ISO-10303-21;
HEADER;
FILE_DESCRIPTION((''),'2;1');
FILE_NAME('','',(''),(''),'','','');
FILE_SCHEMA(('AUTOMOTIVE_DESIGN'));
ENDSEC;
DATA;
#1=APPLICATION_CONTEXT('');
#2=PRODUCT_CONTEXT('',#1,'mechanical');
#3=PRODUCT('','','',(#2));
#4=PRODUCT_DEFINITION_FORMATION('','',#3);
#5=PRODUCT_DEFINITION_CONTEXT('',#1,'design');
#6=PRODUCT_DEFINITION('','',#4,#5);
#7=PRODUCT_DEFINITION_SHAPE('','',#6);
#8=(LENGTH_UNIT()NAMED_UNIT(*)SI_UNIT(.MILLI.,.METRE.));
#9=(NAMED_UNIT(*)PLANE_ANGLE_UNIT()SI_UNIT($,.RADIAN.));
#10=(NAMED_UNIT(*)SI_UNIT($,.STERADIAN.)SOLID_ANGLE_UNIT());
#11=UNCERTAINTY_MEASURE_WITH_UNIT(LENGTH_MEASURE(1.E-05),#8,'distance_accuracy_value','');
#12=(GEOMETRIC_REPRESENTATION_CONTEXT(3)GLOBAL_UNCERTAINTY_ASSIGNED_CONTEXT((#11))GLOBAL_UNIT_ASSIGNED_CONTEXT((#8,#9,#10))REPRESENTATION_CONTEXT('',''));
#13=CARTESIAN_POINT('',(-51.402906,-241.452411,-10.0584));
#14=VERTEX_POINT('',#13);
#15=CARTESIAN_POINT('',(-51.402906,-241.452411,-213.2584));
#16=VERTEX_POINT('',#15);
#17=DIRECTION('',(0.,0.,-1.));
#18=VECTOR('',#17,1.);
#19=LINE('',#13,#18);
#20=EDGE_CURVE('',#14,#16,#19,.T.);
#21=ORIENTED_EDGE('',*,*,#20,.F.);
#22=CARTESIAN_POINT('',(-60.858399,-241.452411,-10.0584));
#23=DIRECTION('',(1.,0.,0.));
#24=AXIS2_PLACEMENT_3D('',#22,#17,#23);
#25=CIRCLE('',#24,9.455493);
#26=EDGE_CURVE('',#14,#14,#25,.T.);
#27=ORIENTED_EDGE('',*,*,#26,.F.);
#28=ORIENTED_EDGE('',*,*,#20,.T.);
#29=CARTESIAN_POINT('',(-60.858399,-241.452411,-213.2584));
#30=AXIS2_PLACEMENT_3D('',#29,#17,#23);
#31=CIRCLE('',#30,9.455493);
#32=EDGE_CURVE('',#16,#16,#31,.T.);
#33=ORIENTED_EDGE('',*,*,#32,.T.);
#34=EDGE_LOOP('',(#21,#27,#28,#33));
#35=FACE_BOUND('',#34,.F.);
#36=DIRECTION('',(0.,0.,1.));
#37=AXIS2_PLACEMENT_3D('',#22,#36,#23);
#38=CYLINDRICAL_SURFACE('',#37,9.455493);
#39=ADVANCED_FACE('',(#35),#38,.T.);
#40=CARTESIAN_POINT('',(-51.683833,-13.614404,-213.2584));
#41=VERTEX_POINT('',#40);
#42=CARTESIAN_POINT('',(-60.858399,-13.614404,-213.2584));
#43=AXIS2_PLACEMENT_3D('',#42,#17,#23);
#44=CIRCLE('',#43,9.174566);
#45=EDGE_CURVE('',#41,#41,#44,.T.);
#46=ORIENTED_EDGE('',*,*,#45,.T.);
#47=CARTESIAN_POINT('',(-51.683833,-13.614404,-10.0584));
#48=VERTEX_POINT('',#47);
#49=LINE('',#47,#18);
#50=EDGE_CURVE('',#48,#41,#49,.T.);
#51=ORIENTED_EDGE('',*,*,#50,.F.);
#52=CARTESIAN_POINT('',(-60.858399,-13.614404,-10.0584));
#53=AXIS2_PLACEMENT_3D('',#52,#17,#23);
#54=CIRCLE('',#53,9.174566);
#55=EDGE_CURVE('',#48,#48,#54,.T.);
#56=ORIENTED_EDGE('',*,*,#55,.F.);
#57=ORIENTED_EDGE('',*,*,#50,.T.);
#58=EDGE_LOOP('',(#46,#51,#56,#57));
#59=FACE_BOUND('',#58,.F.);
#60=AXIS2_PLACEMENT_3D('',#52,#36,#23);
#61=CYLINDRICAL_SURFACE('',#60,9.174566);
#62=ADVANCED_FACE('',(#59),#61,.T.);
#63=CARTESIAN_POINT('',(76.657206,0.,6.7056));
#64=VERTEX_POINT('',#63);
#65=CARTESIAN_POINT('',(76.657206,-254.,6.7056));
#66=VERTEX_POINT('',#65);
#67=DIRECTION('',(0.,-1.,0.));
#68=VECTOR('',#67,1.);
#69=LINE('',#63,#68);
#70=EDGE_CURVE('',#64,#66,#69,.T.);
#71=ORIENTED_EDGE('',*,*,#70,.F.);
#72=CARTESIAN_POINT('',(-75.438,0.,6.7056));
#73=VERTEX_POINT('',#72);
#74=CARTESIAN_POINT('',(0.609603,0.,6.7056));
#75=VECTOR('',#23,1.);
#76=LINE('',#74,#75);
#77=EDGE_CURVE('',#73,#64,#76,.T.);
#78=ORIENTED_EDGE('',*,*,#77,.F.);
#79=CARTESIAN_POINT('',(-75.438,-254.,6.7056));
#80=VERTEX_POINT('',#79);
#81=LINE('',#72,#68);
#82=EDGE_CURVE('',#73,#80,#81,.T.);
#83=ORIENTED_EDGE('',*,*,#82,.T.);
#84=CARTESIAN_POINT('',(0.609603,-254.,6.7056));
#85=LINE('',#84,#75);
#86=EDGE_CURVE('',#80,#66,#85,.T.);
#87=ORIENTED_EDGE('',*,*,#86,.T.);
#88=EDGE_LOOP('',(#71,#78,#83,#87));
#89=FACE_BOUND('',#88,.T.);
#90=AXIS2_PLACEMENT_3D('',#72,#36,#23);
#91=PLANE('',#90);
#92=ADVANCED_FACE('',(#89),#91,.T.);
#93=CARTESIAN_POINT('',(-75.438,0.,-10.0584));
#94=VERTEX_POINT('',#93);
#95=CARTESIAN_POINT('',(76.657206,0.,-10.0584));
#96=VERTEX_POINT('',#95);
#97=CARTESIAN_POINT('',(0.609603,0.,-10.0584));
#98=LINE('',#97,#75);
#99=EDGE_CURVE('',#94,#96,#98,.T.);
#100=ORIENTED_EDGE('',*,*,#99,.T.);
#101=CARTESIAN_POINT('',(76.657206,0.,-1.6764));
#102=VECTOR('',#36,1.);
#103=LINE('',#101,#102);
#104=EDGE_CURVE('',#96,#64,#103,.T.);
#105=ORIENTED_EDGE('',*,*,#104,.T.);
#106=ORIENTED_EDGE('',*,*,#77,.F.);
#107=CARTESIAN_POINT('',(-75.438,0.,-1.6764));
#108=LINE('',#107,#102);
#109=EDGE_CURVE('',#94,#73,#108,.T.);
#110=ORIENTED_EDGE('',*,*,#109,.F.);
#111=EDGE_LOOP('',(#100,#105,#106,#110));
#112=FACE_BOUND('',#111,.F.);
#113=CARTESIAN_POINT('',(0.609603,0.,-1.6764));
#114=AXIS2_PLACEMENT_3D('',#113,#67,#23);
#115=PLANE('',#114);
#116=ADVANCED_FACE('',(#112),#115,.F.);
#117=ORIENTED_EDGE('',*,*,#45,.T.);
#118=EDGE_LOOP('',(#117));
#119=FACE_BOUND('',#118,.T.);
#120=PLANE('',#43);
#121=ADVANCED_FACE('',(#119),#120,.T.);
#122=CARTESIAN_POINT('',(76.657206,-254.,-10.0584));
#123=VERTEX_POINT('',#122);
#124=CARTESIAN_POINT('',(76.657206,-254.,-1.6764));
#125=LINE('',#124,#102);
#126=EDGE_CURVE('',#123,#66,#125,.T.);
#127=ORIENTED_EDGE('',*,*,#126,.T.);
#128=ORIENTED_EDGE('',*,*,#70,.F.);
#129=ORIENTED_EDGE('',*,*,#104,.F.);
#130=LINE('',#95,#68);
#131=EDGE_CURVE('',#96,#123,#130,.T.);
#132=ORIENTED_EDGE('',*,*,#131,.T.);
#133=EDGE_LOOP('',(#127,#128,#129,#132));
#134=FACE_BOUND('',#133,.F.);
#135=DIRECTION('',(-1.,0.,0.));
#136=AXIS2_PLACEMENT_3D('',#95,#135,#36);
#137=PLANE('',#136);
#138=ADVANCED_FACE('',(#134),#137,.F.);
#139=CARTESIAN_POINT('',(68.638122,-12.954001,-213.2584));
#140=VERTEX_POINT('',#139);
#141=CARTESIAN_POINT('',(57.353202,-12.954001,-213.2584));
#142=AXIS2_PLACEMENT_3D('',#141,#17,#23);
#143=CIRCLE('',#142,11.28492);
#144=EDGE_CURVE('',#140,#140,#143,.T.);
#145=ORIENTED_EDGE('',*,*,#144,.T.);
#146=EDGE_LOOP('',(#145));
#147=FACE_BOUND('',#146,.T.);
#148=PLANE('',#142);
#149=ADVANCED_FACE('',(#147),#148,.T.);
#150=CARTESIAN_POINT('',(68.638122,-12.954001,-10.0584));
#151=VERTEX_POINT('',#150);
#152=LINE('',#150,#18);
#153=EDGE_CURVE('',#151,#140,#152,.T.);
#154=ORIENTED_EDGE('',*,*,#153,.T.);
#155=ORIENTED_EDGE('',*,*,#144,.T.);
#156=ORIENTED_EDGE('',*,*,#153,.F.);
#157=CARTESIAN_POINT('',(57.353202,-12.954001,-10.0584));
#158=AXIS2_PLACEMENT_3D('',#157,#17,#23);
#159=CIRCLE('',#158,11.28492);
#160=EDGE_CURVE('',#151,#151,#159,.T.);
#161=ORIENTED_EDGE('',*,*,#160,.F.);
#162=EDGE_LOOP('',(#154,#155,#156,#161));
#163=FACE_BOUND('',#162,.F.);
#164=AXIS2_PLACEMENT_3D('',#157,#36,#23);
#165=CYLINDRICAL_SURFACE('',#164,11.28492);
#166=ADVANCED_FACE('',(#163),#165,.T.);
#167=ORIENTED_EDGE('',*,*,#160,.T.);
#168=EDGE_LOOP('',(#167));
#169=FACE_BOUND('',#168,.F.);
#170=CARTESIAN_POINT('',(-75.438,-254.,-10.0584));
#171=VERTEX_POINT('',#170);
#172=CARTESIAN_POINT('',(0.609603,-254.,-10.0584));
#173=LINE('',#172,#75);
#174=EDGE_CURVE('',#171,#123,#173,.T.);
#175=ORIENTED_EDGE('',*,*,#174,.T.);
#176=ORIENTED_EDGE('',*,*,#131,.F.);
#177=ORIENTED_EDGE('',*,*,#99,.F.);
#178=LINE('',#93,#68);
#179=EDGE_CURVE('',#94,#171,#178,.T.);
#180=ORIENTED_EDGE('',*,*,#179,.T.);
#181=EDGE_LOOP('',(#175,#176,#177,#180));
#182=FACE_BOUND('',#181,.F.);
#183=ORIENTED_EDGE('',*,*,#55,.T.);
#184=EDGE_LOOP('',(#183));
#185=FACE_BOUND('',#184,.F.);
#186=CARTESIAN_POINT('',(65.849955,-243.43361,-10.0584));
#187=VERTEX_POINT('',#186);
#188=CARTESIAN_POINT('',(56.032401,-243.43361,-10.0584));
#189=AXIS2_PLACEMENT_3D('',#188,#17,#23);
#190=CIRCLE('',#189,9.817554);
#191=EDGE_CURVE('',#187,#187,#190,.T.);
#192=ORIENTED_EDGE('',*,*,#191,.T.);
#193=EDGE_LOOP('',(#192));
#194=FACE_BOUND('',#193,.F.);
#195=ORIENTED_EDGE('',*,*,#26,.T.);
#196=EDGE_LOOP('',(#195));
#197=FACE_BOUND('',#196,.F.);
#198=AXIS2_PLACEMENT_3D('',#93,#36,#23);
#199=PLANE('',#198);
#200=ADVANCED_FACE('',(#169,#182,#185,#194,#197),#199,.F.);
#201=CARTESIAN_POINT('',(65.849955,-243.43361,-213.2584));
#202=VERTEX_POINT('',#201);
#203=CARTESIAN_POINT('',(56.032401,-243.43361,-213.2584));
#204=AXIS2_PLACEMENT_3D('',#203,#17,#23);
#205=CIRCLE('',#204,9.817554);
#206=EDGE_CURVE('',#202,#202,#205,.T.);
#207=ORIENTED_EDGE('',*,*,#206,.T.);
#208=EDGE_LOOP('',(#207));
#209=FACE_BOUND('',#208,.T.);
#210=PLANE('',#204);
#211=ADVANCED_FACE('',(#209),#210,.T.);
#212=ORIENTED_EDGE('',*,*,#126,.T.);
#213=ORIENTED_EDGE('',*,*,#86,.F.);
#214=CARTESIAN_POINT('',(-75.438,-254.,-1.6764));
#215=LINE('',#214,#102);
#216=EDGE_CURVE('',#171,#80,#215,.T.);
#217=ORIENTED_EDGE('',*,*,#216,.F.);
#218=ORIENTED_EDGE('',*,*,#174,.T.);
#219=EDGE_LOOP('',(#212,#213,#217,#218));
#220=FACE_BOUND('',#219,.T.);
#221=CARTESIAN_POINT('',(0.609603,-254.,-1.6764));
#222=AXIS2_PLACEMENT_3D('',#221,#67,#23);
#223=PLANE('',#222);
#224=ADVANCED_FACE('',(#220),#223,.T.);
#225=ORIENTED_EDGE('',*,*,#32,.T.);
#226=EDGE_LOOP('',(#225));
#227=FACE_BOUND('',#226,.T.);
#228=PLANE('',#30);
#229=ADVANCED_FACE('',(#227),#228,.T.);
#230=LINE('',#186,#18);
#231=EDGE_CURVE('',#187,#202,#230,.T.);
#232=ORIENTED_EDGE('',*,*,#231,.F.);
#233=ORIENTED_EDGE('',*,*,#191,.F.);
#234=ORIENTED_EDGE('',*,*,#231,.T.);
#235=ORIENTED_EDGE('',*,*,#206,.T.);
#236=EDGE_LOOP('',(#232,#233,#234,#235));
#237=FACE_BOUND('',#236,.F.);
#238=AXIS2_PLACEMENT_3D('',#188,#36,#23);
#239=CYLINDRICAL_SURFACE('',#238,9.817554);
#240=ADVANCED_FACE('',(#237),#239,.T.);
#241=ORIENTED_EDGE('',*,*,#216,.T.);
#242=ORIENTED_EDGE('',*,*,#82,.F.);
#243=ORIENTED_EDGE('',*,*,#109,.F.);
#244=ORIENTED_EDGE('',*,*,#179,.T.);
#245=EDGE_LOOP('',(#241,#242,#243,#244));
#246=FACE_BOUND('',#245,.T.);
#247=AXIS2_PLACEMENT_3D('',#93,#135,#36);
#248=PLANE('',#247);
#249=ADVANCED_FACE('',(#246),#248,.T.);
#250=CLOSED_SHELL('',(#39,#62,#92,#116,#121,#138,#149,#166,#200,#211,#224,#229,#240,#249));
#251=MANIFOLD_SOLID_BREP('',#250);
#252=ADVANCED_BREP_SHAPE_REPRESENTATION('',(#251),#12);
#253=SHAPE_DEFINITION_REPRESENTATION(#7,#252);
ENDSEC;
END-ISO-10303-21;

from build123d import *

# Parameters (mm, degrees)
F0_W     = 152.095206
F0_H     = 16.764
F1_DEPTH = 254
F2_R     = 9.455493
F2_R_2   = 9.174566
F2_R_3   = 11.28492
F2_R_4   = 9.817554
F3_DEPTH = 203.2


with BuildPart() as f1:
    # F0 (on Front) → F1 (new body)
    with BuildSketch(Plane.XZ):
        with Locations((0.609603, -1.6764)):
            Rectangle(F0_W, F0_H)
    extrude(amount=F1_DEPTH)

    # F2 (on face) → F3 (join)
    with BuildSketch(Plane(origin=(0, 0, -10.0584), x_dir=(1, 0, 0), z_dir=(0, 0, -1))):
        with Locations((-60.858399, 241.452411)):
            Circle(F2_R)
        with Locations((-60.858399, 13.614404)):
            Circle(F2_R_2)
        with Locations((57.353202, 12.954001)):
            Circle(F2_R_3)
        with Locations((56.032401, 243.43361)):
            Circle(F2_R_4)
    extrude(amount=F3_DEPTH)


solid = f1.part
